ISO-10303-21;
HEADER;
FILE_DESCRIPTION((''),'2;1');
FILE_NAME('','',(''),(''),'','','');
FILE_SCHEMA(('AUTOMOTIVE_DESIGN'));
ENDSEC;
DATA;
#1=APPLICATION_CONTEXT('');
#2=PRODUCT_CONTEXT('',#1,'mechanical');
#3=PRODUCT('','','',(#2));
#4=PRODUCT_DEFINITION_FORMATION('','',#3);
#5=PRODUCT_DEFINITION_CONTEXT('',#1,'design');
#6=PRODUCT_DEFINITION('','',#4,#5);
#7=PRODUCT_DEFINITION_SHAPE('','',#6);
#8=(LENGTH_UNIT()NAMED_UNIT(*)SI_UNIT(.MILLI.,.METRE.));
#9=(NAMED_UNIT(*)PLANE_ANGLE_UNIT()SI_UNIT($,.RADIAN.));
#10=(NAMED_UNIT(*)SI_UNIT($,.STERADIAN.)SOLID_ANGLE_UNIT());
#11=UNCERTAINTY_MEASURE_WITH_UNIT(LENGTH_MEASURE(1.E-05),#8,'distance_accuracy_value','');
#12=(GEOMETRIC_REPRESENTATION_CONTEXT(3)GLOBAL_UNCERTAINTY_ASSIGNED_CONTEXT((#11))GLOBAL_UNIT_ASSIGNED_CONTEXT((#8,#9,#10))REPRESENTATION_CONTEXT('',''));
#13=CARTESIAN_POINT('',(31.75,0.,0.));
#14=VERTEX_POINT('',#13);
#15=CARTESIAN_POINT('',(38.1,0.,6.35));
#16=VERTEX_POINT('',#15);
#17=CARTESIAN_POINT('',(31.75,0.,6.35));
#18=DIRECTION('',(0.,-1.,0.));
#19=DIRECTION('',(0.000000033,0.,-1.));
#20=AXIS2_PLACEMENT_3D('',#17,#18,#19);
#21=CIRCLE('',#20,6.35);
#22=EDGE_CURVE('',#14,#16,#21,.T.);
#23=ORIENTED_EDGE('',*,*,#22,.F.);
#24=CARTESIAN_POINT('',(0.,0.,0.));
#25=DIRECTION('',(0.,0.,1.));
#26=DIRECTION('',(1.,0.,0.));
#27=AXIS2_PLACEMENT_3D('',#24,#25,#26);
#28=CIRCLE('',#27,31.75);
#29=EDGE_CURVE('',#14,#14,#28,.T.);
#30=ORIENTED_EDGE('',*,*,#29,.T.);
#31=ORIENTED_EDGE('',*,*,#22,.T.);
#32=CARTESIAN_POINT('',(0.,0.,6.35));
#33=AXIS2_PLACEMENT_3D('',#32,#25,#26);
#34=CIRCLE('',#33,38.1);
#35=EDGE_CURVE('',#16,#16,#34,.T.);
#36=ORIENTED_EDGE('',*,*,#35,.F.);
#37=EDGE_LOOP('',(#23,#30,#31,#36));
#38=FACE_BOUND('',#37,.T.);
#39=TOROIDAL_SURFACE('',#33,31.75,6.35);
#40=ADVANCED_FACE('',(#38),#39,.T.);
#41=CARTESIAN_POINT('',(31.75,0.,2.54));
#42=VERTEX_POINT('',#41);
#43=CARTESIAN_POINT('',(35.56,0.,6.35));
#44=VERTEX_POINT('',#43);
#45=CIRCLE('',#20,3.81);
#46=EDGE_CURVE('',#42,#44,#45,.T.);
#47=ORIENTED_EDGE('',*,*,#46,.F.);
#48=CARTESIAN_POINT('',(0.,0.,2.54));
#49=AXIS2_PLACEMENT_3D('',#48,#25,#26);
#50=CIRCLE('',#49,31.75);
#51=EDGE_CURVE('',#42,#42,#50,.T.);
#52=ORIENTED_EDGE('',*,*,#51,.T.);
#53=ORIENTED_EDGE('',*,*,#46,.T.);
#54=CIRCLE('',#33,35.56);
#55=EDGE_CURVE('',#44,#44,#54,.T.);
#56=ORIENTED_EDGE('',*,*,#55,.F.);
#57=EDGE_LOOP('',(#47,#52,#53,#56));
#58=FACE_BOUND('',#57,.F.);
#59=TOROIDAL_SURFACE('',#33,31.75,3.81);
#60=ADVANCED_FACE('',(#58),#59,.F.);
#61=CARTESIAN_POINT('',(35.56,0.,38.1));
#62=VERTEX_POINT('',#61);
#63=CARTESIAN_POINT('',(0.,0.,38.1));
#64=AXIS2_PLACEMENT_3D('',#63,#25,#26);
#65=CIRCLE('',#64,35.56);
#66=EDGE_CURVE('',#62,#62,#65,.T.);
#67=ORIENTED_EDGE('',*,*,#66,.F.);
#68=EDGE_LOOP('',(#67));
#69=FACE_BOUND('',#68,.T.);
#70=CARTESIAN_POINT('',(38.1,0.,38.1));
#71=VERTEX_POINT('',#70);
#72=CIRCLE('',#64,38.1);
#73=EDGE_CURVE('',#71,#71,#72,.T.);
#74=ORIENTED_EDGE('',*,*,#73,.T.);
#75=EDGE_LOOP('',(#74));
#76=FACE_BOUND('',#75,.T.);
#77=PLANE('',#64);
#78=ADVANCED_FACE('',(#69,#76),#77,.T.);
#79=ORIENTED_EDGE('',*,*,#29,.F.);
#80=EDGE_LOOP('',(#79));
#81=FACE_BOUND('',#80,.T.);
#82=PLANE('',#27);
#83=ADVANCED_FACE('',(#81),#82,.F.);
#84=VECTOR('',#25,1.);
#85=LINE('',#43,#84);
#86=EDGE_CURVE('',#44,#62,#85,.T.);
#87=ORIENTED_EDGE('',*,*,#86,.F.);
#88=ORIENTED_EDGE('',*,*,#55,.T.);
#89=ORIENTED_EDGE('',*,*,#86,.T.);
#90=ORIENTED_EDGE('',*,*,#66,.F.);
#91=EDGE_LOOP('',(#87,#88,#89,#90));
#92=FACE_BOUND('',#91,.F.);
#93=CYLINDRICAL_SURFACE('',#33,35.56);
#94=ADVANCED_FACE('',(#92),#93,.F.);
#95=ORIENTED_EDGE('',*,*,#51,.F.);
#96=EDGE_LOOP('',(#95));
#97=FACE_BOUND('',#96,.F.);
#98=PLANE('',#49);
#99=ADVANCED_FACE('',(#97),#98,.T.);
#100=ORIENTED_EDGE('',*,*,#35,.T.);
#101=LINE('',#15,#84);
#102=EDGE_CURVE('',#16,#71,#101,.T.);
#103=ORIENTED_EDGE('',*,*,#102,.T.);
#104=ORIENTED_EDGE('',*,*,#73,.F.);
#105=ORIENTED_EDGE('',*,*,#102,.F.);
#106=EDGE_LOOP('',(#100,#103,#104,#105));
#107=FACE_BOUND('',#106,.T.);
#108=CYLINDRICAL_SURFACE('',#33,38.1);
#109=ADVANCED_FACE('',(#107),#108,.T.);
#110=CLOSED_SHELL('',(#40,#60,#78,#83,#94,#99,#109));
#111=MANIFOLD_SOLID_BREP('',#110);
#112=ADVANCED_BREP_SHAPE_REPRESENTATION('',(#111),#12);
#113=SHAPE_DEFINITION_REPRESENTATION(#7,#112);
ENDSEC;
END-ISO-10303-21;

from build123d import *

# Parameters (mm, degrees)
F2_T = -2.54


with BuildPart() as f1:
    # F0 (on Front) → F1 (revolve)
    with BuildSketch(Plane.XZ):
        with BuildLine():
            Line((0, 38.1), (0, 0))
            Line((0, 0), (31.75, 0))
            ThreePointArc((31.75, 0), (36.240128, 1.859872), (38.1, 6.35))
            Line((38.1, 6.35), (38.1, 38.1))
            Line((38.1, 38.1), (0, 38.1))
        make_face()
    revolve(axis=Axis((0, 0, 22.184535), (0, 0, 1)))

    # F2
    f2_openings = [f1.faces().sort_by_distance(p)[0] for p in [
        (0, 0, 38.1),
    ]]
    offset(amount=F2_T, openings=f2_openings)


solid = f1.part
